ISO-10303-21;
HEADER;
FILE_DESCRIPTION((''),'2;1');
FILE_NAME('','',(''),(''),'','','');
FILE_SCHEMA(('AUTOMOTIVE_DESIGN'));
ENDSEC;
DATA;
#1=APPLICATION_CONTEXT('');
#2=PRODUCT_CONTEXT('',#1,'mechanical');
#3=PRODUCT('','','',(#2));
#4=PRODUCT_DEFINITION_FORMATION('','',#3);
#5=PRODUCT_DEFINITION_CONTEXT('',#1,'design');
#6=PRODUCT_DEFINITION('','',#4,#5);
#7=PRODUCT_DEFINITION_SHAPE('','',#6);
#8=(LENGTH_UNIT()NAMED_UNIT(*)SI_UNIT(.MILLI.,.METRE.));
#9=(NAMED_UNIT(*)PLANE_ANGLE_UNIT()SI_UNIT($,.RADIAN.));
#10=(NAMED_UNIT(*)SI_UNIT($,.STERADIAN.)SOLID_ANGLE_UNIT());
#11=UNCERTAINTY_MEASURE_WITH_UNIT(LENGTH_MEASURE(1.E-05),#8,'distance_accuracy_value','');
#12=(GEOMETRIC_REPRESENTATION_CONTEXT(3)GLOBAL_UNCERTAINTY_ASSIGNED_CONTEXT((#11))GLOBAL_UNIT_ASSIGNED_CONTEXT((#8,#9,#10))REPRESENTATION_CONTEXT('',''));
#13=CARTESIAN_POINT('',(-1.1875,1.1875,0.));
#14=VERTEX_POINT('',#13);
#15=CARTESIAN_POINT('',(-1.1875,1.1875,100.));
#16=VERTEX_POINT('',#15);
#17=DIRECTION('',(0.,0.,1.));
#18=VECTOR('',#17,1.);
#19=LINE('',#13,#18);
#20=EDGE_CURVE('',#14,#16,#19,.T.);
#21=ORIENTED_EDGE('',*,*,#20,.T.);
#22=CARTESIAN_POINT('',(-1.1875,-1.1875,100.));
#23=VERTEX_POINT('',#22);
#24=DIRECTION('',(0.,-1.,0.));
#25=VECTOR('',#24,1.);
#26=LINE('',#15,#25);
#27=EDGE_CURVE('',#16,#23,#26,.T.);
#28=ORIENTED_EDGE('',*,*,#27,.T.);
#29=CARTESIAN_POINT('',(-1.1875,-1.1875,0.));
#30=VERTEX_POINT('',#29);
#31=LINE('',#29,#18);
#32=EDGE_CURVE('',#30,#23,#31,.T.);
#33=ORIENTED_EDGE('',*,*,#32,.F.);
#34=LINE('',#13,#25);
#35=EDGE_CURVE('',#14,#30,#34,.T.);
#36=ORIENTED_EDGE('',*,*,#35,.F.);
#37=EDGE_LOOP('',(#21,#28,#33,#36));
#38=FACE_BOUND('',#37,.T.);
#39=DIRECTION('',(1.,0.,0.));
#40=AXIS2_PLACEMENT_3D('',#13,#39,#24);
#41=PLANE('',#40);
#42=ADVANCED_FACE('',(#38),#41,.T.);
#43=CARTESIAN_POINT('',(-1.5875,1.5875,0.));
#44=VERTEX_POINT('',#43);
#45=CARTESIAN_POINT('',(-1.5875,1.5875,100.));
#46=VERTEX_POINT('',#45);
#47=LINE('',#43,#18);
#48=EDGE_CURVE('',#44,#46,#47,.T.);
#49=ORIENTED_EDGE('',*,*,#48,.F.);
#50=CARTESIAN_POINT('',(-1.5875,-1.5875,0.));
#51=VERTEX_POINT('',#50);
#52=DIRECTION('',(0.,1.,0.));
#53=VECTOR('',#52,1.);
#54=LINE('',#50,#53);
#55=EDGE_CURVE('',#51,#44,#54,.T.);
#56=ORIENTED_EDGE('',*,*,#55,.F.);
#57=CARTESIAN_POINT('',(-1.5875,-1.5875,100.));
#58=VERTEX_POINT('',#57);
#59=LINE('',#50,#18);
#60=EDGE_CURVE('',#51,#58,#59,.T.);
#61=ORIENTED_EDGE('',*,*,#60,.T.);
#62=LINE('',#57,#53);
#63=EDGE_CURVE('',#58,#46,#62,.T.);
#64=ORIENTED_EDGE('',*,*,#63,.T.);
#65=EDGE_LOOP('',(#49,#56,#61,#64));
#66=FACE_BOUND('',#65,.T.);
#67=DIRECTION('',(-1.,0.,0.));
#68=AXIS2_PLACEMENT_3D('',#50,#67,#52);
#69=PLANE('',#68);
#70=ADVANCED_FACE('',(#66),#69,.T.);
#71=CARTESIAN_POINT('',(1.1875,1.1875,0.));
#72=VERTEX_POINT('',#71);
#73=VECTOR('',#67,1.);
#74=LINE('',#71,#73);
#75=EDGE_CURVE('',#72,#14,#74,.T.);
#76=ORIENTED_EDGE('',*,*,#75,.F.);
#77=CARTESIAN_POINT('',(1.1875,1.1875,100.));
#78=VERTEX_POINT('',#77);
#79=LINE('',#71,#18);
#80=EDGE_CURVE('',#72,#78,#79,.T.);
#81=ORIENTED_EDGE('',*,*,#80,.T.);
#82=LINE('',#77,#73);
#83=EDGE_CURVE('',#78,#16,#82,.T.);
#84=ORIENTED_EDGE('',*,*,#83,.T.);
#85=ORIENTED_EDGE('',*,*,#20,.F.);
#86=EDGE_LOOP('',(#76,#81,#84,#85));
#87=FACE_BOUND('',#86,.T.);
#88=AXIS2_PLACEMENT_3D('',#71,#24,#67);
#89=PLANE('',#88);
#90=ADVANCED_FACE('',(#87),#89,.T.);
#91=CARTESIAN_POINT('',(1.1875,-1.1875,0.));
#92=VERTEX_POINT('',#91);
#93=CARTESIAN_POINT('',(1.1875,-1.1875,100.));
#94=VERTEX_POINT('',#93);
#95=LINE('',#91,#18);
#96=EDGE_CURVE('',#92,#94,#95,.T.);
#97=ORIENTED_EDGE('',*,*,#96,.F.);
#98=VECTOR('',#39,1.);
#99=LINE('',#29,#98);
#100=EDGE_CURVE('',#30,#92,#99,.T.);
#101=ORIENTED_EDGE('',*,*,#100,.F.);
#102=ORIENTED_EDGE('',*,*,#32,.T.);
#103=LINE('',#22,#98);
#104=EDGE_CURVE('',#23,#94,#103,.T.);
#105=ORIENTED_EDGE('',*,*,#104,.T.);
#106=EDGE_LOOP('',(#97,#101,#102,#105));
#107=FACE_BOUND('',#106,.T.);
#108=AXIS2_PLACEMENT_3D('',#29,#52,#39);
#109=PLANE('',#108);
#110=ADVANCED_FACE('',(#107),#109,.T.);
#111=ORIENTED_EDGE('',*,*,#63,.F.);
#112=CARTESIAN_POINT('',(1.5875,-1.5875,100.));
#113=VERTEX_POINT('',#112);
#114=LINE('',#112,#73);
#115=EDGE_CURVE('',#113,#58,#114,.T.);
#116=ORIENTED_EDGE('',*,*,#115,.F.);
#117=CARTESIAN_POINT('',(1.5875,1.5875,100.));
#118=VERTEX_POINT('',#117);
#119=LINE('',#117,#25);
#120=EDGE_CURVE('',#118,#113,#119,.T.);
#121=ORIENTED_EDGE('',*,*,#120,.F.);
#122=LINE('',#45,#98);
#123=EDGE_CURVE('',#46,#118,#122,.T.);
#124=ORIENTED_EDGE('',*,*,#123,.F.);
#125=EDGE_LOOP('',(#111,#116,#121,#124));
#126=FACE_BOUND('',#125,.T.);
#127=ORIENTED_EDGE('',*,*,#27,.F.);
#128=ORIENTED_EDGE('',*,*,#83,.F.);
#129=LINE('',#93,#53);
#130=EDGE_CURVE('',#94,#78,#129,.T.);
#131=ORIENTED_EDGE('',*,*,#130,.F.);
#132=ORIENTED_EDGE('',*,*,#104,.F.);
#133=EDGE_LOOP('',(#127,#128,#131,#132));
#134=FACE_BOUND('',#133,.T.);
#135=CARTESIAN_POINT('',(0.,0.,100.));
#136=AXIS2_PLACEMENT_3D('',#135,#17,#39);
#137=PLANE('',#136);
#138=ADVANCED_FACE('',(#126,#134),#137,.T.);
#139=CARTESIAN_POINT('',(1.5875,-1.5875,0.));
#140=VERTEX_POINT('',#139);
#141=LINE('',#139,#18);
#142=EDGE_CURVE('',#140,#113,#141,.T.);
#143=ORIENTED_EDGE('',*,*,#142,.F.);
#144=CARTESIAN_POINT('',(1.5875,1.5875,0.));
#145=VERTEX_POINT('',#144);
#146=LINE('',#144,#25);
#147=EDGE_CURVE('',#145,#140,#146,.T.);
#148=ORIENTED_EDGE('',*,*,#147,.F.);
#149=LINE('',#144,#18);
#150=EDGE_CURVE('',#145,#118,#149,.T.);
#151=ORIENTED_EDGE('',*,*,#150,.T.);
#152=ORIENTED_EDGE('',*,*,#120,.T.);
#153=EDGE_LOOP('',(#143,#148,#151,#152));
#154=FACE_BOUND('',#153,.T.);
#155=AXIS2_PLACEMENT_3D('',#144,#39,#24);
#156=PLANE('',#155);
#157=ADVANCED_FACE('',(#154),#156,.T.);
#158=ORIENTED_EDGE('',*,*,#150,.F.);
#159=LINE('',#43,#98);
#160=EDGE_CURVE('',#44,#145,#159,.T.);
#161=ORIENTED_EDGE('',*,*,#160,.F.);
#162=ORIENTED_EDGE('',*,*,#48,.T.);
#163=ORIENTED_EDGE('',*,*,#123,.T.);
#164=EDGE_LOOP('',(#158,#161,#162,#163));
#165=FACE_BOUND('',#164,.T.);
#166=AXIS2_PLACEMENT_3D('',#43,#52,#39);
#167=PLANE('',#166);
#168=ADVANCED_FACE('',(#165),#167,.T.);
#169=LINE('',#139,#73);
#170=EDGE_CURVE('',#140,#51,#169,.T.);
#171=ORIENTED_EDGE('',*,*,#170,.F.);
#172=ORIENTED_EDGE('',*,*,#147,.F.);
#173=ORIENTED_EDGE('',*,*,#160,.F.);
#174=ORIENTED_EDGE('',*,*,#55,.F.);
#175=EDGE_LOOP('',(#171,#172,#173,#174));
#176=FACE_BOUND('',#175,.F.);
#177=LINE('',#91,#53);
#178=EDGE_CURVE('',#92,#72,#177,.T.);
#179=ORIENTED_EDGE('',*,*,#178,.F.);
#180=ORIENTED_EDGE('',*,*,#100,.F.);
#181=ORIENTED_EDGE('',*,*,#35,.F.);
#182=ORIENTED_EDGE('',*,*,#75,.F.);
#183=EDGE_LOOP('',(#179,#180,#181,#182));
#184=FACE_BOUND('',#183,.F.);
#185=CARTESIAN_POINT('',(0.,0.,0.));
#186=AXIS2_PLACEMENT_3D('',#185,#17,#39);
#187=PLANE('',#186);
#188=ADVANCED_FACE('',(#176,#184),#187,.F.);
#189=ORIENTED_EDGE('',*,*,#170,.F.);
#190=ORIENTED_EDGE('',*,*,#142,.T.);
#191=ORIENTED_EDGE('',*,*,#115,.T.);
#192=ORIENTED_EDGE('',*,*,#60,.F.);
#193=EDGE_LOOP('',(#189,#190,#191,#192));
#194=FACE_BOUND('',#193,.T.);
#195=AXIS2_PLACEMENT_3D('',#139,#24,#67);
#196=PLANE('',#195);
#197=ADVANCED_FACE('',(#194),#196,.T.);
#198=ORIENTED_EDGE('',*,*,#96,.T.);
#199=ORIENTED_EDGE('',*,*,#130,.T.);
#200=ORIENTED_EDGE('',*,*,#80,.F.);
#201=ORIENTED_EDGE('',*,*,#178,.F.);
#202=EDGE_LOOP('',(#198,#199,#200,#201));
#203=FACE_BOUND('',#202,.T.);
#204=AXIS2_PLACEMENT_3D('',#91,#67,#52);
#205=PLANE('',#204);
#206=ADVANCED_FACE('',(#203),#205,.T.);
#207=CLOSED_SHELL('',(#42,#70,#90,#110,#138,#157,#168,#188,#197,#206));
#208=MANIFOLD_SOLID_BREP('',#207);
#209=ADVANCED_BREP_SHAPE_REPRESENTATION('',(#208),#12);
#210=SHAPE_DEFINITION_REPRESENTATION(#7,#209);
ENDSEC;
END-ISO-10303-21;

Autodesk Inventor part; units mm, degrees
ref_plane "YZ Plane" through (0, 0, 0) normal (1, 0, 0) x (0, 1, 0)
ref_plane "XZ Plane" through (0, 0, 0) normal (0, 1, 0) x (-1, 0, 0)
ref_plane "XY Plane" through (0, 0, 0) normal (0, 0, 1) x (1, 0, 0)
sketch "Sketch1" plane through (0, 0, 0) normal (0, 0, 1) x (1, 0, 0)
  line L0 (-1.5875, 1.5875) -> (1.5875, 1.5875)
  line L1 (1.5875, 1.5875) -> (1.5875, -1.5875)
  line L2 (1.5875, -1.5875) -> (-1.5875, -1.5875)
  line L3 (-1.5875, -1.5875) -> (-1.5875, 1.5875)
  line L4 (-1.5875, 1.5875) -> (1.5875, -1.5875) construction
  line L5 (1.5875, 1.5875) -> (-1.5875, -1.5875) construction
  line L6 (-1.1875, -1.1875) -> (1.1875, -1.1875)
  line L7 (1.1875, -1.1875) -> (1.1875, 1.1875)
  line L8 (1.1875, 1.1875) -> (-1.1875, 1.1875)
  line L9 (-1.1875, 1.1875) -> (-1.1875, -1.1875)
  point P0 (0, 0)
  dimension "d0" = 3.175
  dimension "d1" = 0.4
extrude "Extrusion1" add sketch "Sketch1" along normal blind 100
properties part number "Rail" material "Aluminum 6061"
